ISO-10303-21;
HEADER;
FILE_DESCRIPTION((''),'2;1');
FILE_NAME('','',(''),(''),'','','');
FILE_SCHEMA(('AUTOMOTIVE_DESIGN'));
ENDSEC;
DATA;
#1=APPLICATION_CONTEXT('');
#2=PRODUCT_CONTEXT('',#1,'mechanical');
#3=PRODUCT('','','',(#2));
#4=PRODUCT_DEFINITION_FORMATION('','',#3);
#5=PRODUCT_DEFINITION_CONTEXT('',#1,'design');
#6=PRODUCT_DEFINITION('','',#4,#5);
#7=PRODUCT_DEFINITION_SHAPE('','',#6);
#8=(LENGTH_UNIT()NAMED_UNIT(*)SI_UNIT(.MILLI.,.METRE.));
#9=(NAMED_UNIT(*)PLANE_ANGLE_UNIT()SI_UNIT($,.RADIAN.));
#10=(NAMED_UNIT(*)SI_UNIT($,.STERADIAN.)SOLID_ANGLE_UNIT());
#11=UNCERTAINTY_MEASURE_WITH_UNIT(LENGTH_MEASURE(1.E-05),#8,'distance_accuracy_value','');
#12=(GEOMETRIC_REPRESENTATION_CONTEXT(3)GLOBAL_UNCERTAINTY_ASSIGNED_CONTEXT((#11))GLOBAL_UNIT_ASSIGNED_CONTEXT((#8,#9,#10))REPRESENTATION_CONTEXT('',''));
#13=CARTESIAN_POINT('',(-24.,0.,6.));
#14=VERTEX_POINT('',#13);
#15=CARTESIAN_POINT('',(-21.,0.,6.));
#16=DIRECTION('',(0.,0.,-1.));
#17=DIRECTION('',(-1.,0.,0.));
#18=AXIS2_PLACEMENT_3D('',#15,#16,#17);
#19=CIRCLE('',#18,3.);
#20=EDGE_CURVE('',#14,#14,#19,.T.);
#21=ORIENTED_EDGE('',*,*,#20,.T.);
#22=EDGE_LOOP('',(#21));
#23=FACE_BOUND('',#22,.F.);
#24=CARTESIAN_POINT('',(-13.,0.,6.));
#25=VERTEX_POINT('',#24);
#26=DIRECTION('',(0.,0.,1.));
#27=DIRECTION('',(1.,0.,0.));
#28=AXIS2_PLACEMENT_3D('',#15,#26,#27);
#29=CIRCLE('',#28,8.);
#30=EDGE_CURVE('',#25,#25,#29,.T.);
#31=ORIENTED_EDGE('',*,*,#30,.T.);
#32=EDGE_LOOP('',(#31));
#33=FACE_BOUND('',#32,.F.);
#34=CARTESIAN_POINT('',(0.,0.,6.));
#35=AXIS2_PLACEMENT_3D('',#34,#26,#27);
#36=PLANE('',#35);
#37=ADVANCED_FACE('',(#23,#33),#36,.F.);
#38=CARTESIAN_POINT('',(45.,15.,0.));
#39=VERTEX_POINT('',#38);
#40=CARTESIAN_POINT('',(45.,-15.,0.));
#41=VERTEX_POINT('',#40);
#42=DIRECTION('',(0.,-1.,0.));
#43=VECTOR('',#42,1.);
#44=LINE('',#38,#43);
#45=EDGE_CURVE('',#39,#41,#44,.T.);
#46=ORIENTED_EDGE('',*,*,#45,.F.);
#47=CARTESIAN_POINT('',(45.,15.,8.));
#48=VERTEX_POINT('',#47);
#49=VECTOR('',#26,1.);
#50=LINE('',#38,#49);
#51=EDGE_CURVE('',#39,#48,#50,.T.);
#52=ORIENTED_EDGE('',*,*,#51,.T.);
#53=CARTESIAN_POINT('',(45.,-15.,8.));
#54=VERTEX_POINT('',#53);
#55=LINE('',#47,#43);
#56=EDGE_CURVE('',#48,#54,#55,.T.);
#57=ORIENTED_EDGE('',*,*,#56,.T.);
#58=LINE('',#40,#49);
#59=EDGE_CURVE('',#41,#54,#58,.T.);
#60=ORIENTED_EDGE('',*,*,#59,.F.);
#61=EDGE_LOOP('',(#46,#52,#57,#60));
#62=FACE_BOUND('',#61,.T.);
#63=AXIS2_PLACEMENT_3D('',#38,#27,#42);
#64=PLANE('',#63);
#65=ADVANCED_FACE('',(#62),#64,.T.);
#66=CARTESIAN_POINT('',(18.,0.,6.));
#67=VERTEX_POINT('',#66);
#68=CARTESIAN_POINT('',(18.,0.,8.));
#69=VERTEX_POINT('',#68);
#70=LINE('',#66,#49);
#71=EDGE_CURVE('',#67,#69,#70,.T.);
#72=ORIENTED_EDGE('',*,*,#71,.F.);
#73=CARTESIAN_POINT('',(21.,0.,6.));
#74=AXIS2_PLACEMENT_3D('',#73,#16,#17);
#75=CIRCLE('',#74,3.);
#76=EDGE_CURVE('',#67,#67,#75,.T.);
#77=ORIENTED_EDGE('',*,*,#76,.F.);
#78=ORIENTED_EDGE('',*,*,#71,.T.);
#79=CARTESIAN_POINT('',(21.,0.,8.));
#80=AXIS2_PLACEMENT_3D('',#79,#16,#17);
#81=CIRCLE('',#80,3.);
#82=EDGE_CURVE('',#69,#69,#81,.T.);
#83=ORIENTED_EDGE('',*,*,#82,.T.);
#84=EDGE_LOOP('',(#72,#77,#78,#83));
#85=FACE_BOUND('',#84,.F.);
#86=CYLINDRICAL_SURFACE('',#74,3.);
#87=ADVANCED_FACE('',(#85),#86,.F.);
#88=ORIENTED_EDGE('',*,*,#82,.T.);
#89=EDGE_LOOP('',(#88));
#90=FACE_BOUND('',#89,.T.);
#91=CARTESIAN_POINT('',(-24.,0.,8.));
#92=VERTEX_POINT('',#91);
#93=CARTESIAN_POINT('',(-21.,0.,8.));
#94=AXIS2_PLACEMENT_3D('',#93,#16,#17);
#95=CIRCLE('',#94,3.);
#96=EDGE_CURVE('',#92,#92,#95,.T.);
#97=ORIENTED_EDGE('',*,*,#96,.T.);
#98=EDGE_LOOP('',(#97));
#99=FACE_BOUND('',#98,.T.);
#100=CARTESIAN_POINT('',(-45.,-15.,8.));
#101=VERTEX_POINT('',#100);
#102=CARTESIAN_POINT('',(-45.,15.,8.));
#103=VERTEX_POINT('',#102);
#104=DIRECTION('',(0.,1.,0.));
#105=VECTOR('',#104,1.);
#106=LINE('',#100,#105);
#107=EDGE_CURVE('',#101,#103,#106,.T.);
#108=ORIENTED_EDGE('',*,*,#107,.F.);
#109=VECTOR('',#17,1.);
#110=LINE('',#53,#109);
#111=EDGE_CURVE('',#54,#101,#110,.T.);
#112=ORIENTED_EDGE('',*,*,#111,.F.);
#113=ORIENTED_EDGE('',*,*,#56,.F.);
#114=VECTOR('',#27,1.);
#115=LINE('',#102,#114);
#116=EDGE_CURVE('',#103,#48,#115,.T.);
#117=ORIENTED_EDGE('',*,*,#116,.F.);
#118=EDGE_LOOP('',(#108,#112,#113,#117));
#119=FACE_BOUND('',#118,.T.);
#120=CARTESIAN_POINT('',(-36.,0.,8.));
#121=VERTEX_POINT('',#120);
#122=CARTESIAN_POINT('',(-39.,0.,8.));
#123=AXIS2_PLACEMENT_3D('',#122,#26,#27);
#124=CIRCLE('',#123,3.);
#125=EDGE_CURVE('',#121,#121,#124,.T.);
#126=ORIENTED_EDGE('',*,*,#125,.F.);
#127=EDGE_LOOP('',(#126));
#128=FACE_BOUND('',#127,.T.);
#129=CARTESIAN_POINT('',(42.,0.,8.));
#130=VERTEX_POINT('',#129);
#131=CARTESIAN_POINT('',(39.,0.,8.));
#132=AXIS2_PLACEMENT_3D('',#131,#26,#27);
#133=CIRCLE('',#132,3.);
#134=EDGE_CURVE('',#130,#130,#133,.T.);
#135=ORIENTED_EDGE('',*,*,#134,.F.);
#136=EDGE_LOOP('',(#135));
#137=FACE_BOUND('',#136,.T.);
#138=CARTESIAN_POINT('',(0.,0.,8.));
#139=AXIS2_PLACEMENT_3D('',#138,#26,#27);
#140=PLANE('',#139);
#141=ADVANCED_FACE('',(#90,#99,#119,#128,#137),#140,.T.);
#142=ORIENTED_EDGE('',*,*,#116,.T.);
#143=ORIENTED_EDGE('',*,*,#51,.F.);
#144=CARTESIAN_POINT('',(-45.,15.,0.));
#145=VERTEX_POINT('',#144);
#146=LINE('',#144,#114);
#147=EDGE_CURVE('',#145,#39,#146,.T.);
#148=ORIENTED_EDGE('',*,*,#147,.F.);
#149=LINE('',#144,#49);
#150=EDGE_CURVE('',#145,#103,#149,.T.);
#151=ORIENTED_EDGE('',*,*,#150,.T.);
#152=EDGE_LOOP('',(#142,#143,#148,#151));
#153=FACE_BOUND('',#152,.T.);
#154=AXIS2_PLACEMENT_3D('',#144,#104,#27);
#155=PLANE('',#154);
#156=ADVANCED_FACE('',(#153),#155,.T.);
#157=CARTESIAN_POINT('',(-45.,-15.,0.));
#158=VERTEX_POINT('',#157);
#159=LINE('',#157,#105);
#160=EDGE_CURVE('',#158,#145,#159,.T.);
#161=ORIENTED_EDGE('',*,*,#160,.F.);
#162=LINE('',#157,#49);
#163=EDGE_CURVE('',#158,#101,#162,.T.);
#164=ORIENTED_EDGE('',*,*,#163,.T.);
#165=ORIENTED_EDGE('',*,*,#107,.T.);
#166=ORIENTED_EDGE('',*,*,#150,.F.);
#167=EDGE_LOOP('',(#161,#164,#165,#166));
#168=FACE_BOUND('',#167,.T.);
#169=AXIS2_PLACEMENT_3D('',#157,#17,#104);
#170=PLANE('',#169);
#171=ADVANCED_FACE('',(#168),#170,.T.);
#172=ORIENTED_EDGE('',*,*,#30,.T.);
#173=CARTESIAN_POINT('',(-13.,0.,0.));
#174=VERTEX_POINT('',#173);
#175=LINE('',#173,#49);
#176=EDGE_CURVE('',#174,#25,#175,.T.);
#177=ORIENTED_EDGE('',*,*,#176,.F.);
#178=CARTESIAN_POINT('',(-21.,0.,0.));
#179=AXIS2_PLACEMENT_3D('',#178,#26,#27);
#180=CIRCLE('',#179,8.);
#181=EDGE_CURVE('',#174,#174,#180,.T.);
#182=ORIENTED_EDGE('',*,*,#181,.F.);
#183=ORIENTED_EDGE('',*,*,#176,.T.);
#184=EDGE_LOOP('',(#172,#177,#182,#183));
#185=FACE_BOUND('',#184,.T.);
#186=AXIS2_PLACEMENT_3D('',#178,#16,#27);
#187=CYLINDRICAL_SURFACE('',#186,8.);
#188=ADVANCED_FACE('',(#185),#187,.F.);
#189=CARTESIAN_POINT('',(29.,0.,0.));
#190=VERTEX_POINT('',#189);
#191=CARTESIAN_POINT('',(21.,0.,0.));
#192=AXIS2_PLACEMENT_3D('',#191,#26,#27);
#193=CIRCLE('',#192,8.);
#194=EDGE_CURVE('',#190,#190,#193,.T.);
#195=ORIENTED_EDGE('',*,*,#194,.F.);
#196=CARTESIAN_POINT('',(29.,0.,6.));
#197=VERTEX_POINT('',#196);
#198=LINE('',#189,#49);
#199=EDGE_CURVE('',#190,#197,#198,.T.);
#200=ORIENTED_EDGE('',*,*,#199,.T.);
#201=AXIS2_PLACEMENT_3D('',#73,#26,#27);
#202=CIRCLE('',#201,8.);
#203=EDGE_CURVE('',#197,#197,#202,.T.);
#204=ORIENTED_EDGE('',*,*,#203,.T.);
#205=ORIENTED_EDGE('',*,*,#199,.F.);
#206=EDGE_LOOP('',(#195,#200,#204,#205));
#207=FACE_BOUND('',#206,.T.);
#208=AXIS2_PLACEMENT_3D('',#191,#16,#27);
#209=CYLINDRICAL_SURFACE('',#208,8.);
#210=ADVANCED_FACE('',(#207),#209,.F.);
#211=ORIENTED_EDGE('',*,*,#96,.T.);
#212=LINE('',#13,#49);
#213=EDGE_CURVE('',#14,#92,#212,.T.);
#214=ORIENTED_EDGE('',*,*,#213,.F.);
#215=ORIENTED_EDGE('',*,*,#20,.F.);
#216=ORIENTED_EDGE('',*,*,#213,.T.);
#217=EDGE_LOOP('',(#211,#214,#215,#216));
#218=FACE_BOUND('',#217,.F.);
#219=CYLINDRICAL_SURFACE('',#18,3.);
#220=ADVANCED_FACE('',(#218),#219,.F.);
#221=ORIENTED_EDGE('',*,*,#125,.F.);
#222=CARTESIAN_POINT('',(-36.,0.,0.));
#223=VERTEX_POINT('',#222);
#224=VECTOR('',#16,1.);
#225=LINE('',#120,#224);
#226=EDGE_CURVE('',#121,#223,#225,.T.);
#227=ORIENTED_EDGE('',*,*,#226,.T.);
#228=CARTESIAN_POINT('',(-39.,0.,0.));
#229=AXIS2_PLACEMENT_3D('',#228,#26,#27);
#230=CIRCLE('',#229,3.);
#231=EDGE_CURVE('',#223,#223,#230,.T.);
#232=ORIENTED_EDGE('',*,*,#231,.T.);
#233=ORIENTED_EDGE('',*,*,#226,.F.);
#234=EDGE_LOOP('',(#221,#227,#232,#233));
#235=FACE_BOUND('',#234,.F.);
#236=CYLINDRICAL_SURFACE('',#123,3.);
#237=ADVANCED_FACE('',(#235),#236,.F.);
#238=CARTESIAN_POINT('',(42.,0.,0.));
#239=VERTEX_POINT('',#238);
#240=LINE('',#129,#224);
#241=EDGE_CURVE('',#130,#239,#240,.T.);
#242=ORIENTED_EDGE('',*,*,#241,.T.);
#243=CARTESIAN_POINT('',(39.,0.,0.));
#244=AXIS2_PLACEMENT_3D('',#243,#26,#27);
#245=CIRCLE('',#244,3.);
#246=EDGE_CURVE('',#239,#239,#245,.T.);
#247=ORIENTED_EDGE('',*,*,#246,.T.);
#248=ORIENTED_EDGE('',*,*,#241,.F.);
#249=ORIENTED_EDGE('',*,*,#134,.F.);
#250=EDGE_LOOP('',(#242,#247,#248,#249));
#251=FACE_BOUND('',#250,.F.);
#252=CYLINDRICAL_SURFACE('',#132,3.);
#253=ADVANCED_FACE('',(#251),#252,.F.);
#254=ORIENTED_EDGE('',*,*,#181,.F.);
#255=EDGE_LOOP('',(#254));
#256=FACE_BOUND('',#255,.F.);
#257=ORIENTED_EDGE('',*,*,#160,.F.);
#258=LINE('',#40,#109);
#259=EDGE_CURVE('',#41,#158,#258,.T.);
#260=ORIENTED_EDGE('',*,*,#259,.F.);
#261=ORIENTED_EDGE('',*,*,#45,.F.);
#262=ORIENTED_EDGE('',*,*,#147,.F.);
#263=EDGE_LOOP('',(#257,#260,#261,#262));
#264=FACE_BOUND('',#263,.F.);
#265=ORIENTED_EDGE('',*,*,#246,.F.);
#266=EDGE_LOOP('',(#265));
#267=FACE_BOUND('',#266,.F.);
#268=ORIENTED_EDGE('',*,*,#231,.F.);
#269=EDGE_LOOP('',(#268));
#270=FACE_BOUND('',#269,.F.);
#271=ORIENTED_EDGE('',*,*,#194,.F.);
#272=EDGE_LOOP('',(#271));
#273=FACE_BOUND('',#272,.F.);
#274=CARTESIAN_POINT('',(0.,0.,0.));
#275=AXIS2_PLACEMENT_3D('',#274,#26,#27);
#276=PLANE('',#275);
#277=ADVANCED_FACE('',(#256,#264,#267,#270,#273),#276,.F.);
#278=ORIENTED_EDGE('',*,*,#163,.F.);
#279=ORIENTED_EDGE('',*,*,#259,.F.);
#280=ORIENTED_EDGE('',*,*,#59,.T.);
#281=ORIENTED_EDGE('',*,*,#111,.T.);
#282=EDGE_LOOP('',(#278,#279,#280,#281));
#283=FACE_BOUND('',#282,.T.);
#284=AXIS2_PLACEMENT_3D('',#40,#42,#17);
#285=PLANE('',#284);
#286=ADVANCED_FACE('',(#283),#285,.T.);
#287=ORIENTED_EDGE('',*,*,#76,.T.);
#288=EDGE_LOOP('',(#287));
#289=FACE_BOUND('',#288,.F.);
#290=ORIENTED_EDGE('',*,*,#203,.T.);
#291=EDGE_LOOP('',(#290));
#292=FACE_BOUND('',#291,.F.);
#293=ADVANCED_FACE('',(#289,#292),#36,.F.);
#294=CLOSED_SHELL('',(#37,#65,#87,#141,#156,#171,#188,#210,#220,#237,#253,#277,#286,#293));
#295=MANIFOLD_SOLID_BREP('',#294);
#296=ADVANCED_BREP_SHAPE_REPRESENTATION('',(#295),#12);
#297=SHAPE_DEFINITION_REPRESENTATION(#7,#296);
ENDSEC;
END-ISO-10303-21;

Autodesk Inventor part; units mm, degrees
ref_plane "YZ Plane" through (0, 0, 0) normal (1, 0, 0) x (0, 1, 0)
ref_plane "XZ Plane" through (0, 0, 0) normal (0, 1, 0) x (-1, 0, 0)
ref_plane "XY Plane" through (0, 0, 0) normal (0, 0, 1) x (1, 0, 0)
sketch "Sketch1" plane through (0, 0, 0) normal (0, 0, 1) x (1, 0, 0)
  circle A0 centre (-21, 0) radius 8
  circle A1 centre (21, 0) radius 8
  line L0 (-45, 15) -> (45, 15)
  line L1 (45, 15) -> (45, -15)
  line L2 (45, -15) -> (-45, -15)
  line L3 (-45, -15) -> (-45, 15)
  point P0 (0, 0)
  dimension "d0" = 16
  dimension "d1" = 16
  dimension "d2" = 42
  dimension "d3" = 21
  dimension "d4" = 15
  dimension "d5" = 30
  dimension "d6" = 16
  dimension "d7" = 16
extrude "Extrusion1" add sketch "Sketch1" along normal blind 8
sketch "Sketch2" plane through (0, 0, 8) normal (0, 0, 1) x (1, 0, 0)
  circle A0 centre (-21, 0) radius 8 projected
  circle A1 centre (21, 0) radius 8 projected
  point P0 (0, 0)
extrude "Extrusion2" add sketch "Sketch2" against normal blind 2
sketch "Sketch3" plane through (21, 0, 6) normal (0, 0, -1) x (-1, 0, 0)
  circle A0 centre (0, 0) radius 8 projected
  circle A1 centre (42, 0) radius 8 projected
  circle A2 centre (0, 0) radius 3
  circle A3 centre (42, 0) radius 3
  point P0 (21, 0)
  dimension "d12" = 6
  dimension "d13" = 6
extrude "Extrusion3" cut sketch "Sketch3" against normal through all contours A2 | A3
sketch "Sketch4" plane through (0, 0, 8) normal (0, 0, 1) x (1, 0, 0)
  circle A0 centre (-39, 0) radius 3
  circle A1 centre (39, 0) radius 3
  line L0 (-45, 15) -> (-45, -15) projected
  line L1 (45, 15) -> (45, -15) projected
  point P0 (0, 0)
  dimension "d16" = 6
  dimension "d17" = 6
  dimension "d18" = 6
  dimension "d19" = 6
extrude "Extrusion4" cut sketch "Sketch4" against normal through all
equation "\"d1\" = d0"
equation "\"d3\" = 0.5 * d2"
equation "\"d4\" = 0.5 * d5"
equation "\"d7\" = d6"
equation "\"d19\" = d18"
properties part number "bearing support"
